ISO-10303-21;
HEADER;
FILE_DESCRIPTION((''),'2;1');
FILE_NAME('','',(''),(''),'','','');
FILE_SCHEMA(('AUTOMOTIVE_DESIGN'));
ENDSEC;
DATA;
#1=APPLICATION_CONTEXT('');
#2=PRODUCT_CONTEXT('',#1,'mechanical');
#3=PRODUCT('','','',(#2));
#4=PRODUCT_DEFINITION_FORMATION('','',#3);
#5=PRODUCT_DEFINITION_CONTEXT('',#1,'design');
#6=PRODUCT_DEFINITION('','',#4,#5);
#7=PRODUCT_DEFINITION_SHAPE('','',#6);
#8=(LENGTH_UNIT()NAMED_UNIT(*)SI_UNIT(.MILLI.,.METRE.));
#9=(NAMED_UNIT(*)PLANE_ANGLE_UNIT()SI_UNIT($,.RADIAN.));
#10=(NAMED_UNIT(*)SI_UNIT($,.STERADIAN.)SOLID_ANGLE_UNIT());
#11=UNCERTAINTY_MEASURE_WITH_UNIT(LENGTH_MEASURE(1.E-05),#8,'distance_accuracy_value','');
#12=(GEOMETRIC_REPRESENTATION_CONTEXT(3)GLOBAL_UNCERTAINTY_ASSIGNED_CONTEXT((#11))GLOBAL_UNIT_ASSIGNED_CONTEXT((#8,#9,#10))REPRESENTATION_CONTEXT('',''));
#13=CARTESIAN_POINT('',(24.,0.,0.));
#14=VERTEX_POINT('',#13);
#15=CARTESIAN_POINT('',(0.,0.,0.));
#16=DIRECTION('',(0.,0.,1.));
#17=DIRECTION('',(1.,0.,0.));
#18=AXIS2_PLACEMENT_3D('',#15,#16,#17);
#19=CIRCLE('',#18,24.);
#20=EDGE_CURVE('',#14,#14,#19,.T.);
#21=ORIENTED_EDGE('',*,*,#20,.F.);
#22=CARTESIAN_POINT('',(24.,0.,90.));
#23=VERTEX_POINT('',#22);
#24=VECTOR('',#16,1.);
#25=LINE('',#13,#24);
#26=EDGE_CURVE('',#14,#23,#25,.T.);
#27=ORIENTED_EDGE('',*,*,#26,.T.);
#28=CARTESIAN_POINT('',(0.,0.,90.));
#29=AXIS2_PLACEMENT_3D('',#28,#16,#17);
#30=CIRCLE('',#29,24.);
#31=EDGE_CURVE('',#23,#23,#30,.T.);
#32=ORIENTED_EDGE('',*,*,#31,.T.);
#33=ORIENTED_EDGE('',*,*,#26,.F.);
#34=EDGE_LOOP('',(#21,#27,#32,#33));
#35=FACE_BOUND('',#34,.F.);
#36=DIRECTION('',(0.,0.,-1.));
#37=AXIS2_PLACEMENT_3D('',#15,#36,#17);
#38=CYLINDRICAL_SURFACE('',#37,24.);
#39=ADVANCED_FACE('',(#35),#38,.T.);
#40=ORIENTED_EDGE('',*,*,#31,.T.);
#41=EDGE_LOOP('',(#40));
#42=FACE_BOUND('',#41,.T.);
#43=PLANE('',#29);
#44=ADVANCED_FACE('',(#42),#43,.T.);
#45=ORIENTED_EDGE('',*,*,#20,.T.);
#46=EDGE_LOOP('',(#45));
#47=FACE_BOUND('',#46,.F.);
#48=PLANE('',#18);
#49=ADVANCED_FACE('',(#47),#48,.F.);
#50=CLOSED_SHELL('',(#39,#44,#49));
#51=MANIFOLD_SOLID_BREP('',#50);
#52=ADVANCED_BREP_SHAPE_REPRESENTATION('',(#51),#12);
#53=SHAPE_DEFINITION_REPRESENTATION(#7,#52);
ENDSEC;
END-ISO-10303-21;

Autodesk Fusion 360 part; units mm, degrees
sketch "Sketch1" plane through (0, 0, 0) normal (0, 0, 1) x (1, 0, 0)
  circle A0 centre (0, 0) radius 24
  dimension "d1" = 48
extrude "Extrude1" add sketch "Sketch1" along normal blind 90
